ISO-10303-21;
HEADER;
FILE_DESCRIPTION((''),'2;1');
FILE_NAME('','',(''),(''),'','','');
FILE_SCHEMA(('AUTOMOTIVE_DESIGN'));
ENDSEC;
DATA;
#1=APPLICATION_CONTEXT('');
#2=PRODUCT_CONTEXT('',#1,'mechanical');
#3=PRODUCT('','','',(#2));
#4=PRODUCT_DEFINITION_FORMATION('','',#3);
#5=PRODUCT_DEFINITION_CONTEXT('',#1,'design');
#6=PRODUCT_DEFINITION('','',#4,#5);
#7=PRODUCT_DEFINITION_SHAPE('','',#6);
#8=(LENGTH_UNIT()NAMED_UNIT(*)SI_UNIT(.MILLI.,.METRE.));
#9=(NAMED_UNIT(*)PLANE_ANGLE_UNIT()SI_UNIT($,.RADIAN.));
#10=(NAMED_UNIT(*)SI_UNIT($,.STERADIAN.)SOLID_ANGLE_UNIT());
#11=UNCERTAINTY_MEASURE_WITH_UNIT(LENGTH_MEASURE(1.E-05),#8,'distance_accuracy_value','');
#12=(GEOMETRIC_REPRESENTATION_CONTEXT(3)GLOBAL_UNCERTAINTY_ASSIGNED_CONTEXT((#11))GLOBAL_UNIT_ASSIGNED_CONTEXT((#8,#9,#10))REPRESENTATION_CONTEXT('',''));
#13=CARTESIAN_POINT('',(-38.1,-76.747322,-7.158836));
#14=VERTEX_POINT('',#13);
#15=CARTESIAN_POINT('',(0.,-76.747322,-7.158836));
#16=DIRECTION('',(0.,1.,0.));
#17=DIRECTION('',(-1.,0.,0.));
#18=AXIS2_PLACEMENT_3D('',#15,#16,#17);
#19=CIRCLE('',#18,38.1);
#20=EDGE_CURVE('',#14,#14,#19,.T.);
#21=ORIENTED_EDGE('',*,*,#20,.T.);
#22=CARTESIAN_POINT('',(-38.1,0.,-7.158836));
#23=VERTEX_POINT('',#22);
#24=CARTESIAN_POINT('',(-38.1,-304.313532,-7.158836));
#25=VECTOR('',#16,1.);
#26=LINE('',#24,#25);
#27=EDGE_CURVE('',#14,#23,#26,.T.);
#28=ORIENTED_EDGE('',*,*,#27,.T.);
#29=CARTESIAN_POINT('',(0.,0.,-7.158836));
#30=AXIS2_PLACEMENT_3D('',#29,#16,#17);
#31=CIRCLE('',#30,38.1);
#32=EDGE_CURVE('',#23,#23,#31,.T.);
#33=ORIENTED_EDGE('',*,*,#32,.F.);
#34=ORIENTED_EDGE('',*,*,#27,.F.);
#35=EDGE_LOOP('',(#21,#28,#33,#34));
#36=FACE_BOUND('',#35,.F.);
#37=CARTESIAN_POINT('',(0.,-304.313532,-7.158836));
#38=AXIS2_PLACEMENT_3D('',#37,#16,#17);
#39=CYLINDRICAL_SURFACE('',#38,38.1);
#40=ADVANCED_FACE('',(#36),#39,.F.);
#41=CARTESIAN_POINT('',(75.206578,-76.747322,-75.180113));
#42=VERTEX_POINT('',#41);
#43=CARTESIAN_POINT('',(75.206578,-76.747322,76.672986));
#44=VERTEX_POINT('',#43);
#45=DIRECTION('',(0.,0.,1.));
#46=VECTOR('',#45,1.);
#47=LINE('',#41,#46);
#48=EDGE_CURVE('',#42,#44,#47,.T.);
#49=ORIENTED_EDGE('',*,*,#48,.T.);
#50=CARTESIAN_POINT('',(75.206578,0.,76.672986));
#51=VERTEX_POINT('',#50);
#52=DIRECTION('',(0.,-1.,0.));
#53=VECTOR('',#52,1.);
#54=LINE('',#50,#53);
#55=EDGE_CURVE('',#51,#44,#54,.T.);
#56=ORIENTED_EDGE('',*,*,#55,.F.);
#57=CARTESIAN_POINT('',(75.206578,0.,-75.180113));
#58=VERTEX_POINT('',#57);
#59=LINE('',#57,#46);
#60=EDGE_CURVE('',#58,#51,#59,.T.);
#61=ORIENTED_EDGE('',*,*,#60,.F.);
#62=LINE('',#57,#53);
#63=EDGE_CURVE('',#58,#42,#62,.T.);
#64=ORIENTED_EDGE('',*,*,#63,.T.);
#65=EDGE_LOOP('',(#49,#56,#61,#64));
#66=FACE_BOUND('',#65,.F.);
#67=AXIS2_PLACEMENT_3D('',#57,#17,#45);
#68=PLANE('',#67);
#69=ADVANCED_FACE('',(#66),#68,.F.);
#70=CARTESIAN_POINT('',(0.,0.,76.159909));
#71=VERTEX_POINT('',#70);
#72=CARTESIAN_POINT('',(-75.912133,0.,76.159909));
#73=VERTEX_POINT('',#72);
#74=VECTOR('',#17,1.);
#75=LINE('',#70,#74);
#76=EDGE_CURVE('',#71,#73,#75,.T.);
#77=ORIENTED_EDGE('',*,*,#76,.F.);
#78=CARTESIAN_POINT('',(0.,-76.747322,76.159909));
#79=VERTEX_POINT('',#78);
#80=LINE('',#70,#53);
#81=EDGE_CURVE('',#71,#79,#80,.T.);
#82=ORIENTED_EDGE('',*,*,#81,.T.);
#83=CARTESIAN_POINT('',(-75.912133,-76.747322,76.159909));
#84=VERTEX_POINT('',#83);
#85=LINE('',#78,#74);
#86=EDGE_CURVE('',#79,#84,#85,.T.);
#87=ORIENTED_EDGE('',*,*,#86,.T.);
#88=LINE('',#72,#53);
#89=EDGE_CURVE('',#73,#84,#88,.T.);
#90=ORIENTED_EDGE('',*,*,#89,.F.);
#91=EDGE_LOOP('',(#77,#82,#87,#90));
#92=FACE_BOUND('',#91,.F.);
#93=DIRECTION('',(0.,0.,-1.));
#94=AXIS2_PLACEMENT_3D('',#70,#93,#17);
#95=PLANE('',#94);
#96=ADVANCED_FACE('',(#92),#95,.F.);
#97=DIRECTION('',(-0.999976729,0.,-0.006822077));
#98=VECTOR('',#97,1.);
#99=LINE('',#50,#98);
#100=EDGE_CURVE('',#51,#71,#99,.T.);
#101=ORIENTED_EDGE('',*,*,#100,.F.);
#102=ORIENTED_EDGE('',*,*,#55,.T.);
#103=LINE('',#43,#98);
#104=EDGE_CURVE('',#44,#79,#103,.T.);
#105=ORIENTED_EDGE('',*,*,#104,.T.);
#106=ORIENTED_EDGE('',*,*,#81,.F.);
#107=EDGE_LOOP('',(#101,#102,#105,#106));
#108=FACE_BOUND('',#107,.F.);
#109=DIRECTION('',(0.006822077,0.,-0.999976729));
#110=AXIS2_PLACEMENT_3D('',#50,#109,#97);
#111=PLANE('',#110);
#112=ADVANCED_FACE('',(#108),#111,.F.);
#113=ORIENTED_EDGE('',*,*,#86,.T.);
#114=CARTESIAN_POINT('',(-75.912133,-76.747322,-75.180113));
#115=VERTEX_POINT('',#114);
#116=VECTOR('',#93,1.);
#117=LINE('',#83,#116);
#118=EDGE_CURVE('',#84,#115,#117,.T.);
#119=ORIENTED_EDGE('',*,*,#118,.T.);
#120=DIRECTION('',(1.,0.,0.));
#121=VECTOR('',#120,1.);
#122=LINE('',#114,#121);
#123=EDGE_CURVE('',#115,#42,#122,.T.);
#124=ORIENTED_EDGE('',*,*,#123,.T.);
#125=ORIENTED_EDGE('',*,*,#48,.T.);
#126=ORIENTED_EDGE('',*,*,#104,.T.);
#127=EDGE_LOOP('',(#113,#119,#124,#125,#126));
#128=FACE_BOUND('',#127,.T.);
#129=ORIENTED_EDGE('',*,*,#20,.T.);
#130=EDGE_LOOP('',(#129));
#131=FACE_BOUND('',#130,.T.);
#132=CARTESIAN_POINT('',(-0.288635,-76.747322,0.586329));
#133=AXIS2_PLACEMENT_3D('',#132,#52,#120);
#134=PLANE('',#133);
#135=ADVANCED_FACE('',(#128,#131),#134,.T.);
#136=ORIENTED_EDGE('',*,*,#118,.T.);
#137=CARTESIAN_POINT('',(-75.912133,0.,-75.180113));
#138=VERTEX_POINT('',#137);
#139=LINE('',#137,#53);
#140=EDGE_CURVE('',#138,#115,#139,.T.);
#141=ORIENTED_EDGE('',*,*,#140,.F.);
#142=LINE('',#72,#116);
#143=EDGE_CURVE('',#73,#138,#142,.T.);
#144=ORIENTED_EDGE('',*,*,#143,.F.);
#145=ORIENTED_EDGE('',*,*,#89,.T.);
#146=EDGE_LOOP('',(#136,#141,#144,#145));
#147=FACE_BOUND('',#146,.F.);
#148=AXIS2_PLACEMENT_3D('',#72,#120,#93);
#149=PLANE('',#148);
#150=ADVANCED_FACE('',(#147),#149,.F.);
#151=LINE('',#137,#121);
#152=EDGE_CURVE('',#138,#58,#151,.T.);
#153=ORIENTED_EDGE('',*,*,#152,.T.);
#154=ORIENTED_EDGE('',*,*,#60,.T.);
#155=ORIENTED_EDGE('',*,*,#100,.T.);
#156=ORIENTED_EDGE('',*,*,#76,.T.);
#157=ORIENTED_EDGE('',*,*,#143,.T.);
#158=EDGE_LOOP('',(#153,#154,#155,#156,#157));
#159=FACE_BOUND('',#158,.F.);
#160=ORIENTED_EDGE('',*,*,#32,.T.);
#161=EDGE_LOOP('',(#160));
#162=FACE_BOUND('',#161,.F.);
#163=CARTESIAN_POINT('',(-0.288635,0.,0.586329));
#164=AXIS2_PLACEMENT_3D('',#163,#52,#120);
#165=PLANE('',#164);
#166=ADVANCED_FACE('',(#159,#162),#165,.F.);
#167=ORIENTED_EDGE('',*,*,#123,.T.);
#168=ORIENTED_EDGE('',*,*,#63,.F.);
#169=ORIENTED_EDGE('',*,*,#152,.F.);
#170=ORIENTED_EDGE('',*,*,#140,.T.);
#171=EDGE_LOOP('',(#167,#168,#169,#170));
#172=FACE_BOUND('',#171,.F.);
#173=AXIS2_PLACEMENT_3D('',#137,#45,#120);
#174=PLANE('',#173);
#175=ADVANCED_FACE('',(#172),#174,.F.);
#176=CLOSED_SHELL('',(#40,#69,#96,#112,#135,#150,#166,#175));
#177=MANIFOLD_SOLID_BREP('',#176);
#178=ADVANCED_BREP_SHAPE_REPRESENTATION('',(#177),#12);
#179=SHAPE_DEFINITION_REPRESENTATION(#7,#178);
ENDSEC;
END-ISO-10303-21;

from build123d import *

# Parameters (mm, degrees)
F1_DEPTH = 76.747322
F3_D     = 76.2


with BuildPart() as f1:
    # F0 (on Front) → F1 (new body)
    with BuildSketch(Plane.XZ):
        Polygon((75.206578, 76.672986), (0, 76.159909), (-75.912133, 76.159909), (-75.912133, -75.180113), (75.206578, -75.180113), align=None)
    extrude(amount=F1_DEPTH)

    # F3 (through all)
    with Locations(Plane.XZ.offset(76.747322)):
        with Locations((0, -7.158836)):
            Hole(F3_D / 2)


solid = f1.part
